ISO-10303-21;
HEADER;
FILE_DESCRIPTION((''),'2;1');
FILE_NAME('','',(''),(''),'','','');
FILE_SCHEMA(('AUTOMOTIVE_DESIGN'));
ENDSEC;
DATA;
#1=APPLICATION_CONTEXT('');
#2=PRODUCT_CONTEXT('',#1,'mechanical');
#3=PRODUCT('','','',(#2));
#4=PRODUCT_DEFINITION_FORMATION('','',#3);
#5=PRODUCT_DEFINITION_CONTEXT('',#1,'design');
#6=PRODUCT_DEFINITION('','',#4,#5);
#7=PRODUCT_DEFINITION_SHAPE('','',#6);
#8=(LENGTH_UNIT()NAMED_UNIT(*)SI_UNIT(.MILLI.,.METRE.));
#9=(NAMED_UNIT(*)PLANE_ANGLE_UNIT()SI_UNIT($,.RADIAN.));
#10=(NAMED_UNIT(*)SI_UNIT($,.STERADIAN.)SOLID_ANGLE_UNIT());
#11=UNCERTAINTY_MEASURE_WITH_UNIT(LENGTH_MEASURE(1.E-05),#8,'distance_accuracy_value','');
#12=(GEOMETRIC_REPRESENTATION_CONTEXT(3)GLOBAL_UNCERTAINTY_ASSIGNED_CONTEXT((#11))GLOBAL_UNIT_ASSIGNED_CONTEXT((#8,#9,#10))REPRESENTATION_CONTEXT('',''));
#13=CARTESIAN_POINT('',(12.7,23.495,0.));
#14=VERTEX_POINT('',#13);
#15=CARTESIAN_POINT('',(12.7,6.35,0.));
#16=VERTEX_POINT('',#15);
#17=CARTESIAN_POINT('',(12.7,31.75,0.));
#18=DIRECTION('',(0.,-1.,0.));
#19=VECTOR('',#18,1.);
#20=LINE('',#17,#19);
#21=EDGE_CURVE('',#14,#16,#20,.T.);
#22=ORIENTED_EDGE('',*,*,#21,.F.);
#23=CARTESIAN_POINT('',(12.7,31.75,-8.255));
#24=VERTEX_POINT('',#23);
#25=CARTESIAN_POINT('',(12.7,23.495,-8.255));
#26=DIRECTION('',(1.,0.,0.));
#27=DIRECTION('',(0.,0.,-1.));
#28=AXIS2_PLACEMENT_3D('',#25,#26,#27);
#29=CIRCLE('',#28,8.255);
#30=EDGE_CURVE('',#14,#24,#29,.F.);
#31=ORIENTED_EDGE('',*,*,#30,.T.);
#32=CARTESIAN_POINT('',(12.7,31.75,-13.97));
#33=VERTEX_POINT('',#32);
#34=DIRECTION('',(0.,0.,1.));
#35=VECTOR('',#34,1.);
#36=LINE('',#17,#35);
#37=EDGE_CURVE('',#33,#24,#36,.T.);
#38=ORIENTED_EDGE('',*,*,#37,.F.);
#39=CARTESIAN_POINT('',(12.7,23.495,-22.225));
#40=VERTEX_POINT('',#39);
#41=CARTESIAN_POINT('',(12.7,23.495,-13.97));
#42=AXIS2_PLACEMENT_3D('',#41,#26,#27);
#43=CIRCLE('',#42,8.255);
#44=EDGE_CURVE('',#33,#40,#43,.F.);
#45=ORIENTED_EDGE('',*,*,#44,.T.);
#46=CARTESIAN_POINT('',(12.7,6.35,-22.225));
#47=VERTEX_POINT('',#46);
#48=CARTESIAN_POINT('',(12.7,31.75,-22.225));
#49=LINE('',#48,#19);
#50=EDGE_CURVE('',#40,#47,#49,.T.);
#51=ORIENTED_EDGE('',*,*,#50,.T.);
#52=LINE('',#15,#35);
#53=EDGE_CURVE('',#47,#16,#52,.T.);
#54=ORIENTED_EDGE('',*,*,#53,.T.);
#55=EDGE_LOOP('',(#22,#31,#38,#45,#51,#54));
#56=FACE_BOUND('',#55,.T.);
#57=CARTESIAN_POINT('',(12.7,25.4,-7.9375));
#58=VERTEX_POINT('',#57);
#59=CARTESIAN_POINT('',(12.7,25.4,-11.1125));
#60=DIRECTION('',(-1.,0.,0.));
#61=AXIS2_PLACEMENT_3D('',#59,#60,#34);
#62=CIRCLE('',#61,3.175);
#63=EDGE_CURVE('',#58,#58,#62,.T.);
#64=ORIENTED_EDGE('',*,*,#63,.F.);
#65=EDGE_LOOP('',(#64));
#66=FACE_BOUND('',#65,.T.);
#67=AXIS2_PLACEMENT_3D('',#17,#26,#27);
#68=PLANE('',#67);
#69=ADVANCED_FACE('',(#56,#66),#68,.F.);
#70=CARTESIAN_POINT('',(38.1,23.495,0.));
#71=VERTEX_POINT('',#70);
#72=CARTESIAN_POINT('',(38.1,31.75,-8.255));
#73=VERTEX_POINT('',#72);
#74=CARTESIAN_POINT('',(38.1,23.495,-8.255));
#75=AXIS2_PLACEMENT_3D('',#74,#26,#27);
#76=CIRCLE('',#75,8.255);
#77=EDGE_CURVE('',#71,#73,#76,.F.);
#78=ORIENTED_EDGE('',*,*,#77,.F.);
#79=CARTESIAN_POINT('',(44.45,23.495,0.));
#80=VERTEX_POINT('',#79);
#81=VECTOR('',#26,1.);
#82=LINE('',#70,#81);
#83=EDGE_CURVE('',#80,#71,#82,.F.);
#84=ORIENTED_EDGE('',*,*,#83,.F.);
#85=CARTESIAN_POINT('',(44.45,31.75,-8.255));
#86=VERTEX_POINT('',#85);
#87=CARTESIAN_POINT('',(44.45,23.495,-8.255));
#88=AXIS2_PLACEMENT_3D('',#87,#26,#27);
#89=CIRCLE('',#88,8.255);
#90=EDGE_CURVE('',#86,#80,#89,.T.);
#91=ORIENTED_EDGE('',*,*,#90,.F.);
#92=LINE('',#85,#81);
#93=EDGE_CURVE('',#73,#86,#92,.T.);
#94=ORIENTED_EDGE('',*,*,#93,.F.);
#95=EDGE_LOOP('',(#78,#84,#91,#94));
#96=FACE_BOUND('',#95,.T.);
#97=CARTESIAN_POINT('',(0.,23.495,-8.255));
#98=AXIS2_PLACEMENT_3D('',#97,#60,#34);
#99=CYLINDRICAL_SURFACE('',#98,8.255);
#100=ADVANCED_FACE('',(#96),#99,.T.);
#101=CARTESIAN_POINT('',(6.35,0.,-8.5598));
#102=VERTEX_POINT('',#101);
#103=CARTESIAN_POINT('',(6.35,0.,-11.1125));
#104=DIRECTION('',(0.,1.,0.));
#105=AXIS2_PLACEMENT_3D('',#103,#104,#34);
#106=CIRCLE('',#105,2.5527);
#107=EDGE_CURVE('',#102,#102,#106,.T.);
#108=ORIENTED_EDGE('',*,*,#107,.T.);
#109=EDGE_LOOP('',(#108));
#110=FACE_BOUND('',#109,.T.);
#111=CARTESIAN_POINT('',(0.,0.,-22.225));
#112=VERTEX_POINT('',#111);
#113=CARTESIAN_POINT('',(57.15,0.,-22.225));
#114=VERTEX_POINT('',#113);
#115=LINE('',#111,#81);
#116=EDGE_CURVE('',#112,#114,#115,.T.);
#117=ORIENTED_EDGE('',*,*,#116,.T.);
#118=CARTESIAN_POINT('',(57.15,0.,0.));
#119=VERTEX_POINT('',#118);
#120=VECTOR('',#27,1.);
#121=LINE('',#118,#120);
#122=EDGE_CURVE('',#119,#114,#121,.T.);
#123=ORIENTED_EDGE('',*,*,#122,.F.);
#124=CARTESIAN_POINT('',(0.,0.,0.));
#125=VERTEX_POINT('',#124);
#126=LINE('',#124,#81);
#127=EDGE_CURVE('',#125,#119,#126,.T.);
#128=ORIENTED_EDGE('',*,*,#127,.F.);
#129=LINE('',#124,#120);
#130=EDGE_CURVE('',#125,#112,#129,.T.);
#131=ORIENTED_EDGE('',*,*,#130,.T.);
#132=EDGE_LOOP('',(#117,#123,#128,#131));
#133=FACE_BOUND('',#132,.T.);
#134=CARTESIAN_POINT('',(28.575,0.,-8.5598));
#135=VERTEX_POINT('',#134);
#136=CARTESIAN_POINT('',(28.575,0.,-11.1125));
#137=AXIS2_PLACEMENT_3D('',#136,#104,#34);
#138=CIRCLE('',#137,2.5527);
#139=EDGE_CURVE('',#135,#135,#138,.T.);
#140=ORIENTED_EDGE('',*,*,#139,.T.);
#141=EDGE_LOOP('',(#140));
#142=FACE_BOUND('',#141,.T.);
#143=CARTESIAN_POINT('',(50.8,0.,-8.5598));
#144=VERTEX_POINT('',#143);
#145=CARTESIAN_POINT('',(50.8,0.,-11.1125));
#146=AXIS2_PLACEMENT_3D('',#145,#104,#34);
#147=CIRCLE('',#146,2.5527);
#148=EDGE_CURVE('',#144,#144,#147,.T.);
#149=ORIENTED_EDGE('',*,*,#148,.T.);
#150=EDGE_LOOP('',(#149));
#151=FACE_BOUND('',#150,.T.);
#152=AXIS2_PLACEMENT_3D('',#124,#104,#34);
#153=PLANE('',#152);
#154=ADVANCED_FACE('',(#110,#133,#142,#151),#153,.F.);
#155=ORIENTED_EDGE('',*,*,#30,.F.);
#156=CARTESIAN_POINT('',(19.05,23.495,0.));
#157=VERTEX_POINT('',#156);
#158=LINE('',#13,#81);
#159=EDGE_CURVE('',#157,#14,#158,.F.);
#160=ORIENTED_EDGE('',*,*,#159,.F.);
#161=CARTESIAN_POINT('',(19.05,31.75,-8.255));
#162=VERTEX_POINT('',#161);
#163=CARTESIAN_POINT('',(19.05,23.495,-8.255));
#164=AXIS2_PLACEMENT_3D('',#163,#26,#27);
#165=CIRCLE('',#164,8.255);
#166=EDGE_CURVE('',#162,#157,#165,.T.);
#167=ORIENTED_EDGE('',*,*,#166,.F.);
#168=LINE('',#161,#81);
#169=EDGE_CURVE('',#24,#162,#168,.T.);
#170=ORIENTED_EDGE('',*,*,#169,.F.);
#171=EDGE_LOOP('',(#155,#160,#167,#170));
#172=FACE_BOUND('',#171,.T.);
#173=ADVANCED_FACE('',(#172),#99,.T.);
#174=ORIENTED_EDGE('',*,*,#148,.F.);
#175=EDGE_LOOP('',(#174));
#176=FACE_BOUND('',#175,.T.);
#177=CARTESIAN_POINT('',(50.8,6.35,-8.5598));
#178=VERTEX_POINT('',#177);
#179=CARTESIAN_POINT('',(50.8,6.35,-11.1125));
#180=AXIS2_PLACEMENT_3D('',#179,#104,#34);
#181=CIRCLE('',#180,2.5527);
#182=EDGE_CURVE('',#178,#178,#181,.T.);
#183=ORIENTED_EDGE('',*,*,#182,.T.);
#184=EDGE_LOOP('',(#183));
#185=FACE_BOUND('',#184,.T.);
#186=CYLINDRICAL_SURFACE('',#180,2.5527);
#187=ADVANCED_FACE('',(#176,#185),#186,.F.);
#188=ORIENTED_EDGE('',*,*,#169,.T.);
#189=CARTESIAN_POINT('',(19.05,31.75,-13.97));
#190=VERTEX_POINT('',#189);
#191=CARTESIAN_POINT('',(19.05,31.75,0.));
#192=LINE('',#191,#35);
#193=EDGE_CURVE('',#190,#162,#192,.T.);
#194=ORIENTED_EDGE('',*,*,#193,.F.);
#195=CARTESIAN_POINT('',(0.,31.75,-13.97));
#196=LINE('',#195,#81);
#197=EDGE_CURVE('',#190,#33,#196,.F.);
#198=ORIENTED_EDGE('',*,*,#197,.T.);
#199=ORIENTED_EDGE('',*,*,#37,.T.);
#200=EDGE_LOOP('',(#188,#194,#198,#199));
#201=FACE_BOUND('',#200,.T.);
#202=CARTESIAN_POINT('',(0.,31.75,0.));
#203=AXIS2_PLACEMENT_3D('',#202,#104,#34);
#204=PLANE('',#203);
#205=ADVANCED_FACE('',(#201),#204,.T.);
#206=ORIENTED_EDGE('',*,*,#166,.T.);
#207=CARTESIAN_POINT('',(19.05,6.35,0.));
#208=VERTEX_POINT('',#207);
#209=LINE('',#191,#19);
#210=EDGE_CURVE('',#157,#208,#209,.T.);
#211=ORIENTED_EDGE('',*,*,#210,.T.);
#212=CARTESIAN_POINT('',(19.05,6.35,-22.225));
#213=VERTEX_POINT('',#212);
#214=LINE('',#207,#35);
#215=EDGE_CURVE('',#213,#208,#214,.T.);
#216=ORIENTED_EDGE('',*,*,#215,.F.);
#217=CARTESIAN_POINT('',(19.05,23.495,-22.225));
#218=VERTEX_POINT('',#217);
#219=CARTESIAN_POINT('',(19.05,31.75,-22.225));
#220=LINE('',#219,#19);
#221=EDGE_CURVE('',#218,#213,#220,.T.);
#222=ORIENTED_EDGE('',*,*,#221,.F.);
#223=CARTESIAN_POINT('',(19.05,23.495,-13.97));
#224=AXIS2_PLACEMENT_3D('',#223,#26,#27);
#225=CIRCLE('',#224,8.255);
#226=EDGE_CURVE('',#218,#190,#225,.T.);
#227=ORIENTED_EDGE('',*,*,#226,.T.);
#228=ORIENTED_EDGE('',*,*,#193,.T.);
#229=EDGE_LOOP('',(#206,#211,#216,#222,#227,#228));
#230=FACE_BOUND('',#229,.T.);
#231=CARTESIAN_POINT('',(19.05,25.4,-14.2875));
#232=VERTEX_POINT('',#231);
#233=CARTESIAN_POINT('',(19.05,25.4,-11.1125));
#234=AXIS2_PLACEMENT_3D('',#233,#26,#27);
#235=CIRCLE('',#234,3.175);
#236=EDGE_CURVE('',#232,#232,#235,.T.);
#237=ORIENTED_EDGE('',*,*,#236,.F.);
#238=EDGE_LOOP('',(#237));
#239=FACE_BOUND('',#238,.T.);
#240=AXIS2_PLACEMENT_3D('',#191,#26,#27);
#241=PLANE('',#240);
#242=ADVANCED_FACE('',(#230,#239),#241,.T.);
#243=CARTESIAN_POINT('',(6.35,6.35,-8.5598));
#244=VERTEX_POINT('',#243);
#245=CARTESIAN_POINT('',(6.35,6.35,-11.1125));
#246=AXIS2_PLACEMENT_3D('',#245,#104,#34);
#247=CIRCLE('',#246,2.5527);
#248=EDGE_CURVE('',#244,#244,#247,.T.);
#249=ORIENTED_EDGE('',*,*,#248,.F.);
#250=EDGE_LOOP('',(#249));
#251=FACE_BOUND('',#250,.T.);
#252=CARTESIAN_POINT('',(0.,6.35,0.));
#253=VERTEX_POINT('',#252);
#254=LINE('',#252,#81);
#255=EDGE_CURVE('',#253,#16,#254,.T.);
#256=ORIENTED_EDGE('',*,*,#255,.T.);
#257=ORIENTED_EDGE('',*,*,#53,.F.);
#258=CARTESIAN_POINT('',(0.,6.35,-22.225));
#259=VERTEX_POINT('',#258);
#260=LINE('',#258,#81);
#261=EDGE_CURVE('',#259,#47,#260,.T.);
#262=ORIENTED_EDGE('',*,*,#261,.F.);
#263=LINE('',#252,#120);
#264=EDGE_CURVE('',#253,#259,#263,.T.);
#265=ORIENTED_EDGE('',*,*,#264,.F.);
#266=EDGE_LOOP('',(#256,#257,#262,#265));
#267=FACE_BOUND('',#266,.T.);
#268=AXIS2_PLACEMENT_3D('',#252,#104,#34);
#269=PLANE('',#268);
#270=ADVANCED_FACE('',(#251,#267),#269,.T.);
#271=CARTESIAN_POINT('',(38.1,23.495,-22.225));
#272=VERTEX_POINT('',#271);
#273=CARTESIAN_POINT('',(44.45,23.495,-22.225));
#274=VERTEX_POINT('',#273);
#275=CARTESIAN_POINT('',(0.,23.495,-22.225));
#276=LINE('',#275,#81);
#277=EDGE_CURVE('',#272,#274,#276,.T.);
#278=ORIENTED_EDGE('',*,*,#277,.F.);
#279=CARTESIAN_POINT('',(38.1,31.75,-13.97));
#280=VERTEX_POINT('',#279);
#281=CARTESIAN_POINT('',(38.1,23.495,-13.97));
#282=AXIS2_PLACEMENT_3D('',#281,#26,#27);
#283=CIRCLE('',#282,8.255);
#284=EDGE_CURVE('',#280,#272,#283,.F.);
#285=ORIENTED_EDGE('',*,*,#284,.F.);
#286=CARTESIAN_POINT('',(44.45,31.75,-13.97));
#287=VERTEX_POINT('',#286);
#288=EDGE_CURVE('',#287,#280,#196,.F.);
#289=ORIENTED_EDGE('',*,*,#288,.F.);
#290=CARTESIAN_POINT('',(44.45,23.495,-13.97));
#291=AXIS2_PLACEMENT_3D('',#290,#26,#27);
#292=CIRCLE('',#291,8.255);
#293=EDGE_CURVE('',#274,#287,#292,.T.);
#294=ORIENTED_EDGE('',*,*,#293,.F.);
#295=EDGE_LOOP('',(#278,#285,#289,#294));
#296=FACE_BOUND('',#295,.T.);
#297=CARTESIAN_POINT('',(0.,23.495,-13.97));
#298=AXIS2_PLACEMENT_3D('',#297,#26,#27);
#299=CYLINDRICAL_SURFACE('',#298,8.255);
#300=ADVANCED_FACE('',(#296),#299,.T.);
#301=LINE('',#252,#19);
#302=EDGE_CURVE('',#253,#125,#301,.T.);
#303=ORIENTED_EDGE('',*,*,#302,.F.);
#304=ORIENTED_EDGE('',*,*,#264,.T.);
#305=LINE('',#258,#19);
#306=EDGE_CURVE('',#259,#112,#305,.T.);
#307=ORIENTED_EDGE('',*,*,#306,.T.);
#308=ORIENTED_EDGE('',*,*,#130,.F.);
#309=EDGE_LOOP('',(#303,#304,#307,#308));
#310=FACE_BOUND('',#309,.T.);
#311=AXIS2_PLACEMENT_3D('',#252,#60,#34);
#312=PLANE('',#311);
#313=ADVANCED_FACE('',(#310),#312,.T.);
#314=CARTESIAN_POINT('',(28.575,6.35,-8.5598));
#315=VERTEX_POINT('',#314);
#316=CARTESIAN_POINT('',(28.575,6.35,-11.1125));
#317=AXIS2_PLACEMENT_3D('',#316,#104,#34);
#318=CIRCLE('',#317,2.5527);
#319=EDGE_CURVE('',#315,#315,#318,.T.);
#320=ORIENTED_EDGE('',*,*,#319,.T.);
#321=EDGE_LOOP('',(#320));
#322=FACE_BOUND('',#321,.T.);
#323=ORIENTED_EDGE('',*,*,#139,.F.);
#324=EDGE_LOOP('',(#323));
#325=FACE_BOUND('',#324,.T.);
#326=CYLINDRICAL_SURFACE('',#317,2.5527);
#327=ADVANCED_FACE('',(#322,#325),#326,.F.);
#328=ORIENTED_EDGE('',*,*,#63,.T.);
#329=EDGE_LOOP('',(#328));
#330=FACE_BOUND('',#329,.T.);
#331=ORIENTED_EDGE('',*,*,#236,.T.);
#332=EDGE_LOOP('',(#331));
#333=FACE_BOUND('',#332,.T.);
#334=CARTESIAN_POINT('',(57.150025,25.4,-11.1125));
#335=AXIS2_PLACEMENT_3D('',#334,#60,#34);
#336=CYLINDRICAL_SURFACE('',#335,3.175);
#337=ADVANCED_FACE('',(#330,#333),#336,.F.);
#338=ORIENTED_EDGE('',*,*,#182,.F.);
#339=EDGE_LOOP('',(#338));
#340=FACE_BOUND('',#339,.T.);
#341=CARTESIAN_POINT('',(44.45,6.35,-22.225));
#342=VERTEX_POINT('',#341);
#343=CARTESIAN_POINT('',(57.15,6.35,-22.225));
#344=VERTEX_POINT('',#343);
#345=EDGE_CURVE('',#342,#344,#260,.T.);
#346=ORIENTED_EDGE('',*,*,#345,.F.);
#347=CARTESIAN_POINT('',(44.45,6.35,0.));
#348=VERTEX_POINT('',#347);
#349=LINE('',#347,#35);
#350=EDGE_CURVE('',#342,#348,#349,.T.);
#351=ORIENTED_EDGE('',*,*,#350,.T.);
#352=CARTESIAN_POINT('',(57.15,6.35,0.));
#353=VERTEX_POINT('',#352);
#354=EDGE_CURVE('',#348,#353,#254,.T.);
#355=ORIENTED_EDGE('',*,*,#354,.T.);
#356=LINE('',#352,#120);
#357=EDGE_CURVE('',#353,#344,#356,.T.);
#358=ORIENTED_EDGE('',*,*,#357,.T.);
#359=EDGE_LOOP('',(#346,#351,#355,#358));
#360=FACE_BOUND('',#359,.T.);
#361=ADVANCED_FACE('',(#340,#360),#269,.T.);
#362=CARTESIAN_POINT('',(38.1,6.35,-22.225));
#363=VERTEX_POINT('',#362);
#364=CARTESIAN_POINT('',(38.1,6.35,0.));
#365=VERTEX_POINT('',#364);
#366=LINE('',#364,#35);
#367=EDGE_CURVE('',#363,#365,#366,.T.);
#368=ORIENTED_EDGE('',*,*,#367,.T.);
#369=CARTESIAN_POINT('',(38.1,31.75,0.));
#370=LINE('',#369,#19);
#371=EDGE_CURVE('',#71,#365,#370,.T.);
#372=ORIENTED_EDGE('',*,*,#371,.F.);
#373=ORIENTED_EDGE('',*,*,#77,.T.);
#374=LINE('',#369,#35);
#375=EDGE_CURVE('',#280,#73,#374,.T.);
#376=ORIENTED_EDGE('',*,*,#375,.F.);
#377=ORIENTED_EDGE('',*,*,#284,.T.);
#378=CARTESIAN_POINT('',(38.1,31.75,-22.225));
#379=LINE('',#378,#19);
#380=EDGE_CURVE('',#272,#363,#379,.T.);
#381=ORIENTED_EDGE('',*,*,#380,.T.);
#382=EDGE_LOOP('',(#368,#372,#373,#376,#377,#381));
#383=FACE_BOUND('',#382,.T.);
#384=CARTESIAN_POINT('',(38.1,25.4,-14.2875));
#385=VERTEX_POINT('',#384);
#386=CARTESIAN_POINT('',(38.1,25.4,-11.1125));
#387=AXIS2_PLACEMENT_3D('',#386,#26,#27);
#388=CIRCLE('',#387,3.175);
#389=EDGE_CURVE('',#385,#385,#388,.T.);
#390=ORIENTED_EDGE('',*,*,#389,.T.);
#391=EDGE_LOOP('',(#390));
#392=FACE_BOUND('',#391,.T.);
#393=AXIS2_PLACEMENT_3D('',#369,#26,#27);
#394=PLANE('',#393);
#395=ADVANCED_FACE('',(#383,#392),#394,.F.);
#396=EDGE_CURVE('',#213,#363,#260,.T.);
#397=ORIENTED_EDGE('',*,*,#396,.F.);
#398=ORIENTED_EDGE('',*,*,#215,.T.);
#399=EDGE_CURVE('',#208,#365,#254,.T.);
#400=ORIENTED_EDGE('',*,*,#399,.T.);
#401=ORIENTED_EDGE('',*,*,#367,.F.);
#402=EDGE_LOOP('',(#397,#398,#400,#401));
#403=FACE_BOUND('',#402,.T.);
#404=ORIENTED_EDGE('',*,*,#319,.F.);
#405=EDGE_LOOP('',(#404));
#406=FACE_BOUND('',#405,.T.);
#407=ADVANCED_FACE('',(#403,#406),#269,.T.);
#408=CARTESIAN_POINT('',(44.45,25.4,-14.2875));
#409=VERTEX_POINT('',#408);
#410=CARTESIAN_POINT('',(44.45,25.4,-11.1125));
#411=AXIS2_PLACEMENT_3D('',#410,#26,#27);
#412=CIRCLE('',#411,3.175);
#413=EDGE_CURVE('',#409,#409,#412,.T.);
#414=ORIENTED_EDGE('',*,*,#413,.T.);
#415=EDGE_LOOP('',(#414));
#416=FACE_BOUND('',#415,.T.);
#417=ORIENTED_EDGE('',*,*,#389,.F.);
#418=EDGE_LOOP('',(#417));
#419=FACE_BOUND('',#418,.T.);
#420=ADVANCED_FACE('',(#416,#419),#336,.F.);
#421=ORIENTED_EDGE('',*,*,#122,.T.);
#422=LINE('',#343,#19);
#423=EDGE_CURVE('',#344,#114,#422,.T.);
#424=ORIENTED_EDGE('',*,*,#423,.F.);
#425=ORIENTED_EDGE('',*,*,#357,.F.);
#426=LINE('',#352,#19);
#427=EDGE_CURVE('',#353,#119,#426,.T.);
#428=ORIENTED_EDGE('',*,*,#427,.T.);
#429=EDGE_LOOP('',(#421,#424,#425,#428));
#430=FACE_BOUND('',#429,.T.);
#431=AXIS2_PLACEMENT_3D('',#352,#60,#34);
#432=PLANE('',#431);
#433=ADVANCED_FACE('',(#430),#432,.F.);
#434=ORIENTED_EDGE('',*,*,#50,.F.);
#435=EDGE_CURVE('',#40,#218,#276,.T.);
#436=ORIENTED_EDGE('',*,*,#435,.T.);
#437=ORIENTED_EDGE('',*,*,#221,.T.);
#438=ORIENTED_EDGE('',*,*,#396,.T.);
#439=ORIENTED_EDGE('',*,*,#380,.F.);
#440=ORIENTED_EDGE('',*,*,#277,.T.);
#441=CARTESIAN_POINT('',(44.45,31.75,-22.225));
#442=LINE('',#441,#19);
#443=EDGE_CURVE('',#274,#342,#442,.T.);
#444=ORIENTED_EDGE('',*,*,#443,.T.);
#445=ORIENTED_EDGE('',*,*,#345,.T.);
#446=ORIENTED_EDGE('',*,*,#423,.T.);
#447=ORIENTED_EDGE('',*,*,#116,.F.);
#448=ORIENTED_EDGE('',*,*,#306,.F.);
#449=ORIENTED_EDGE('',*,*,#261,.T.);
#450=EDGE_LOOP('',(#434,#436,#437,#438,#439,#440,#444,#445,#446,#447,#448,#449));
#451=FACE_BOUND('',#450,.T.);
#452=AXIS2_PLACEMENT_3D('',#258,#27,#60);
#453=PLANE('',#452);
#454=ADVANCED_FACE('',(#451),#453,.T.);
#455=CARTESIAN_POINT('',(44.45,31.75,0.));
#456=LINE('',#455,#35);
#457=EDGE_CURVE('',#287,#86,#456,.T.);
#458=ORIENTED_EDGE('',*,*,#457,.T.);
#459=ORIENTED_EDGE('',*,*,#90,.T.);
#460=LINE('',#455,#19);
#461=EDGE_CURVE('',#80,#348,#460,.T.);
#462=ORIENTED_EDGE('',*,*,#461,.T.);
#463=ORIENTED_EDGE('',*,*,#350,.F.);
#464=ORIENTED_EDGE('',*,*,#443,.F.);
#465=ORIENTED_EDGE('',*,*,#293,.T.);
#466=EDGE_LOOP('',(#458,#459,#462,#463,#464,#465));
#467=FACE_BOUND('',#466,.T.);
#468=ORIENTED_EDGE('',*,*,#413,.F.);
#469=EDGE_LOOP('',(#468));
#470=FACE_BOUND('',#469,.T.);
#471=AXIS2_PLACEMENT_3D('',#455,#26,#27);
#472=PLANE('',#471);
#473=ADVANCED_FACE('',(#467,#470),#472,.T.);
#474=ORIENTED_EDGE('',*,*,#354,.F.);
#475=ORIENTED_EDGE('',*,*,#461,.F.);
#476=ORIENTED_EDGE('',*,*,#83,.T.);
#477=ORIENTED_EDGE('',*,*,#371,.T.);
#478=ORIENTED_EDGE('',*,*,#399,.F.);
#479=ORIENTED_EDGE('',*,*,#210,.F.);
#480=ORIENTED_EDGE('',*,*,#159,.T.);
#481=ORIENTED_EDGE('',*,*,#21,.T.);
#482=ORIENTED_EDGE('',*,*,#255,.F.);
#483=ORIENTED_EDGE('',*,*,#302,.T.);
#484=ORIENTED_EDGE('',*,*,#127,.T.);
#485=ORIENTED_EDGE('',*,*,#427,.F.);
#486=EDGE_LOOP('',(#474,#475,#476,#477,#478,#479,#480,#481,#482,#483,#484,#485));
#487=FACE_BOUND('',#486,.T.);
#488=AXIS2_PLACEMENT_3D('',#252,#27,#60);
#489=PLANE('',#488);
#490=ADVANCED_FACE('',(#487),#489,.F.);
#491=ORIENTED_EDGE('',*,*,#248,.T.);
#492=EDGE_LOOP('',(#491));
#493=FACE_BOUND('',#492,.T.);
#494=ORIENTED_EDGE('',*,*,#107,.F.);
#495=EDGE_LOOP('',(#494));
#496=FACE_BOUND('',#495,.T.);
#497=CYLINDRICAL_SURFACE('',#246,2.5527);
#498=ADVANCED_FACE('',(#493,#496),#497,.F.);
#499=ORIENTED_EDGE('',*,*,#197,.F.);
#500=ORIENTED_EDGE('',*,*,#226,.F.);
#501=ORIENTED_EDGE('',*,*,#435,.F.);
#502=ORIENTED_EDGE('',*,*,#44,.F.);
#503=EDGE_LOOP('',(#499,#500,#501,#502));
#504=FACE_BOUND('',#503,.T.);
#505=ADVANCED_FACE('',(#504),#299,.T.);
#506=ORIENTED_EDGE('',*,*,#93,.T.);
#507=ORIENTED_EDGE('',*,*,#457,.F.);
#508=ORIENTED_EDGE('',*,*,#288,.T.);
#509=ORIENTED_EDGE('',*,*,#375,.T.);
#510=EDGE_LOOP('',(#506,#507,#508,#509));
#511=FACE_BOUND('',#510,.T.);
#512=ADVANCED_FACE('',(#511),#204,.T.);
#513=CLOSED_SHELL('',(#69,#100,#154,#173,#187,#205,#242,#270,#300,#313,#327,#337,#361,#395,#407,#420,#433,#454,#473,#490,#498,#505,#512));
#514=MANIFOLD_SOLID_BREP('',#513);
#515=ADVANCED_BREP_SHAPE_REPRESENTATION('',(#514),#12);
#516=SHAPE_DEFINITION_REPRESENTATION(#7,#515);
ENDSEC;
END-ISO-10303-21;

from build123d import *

# Parameters (mm, degrees)
SKETCH2_W                   = 12.7
SKETCH2_H                   = 22.225
BOSS_EXTRUDE1_DEPTH         = 6.35
SKETCH2_W_2                 = 19.05
BOSS_EXTRUDE1_2_DEPTH       = 6.35
BOSS_EXTRUDE1_3_DEPTH       = 6.35
SKETCH2_3_W                 = 6.35
SKETCH2_3_H                 = 22.225
BOSS_EXTRUDE2_DEPTH         = 31.75
SKETCH3_R                   = 3.175
CUT_EXTRUDE1_DEPTH          = 59.973007597
F_1_4_20_TAPPED_HOLE1_D     = 5.1054
F_1_4_20_TAPPED_HOLE1_DEPTH = 19.05
F_1_4_20_TAPPED_HOLE1_TIP   = 1.533816902
FILLET1_R                   = 8.255


with BuildPart() as part:
    # Sketch2 → Boss-Extrude1 (new body)
    with BuildSketch(Plane(origin=(0, 0, 0), x_dir=(1, 0, 0), z_dir=(0, 1, 0))):
        with Locations((6.35, 11.1125)):
            Rectangle(SKETCH2_W, SKETCH2_H)
    extrude(amount=BOSS_EXTRUDE1_DEPTH)



with BuildPart() as body_2:
    # Sketch2 → Boss-Extrude1 2 (new body)
    with BuildSketch(Plane(origin=(0, 0, 0), x_dir=(1, 0, 0), z_dir=(0, 1, 0))):
        with Locations((28.575, 11.1125)):
            Rectangle(SKETCH2_W_2, SKETCH2_H)
    extrude(amount=BOSS_EXTRUDE1_2_DEPTH)


with BuildPart() as body_3:
    # Sketch2 → Boss-Extrude1 3 (new body)
    with BuildSketch(Plane(origin=(0, 0, 0), x_dir=(1, 0, 0), z_dir=(0, 1, 0))):
        with Locations((50.8, 11.1125)):
            Rectangle(SKETCH2_W, SKETCH2_H)
    extrude(amount=BOSS_EXTRUDE1_3_DEPTH)


with BuildPart() as part_1:
    add(part.part)

    add(body_2.part)  # Boss-Extrude2 merges body 2

    add(body_3.part)  # Boss-Extrude2 merges body 3
    # Sketch2<3> → Boss-Extrude2 (add)
    with BuildSketch(Plane(origin=(0, 0, 0), x_dir=(1, 0, 0), z_dir=(0, 1, 0))):
        with Locations((15.875, 11.1125)):
            Rectangle(SKETCH2_3_W, SKETCH2_3_H)
        with Locations((41.275, 11.1125)):
            Rectangle(SKETCH2_3_W, SKETCH2_3_H)
    extrude(amount=BOSS_EXTRUDE2_DEPTH)

    # Sketch3 → Cut-Extrude1 (cut, through all)
    with BuildSketch(Plane.ZY.offset(-12.7)):
        with Locations((-11.1125, 25.4)):
            Circle(SKETCH3_R)
    extrude(amount=-CUT_EXTRUDE1_DEPTH, mode=Mode.SUBTRACT)

    # 1/4-20 Tapped Hole1
    with Locations(Plane(origin=(6.35, 6.35, -11.1125), x_dir=(0, 0, 1), z_dir=(0, 1, 0))):
        with Locations((0, 0), (0, 22.225), (0, 44.45)):
            Hole(F_1_4_20_TAPPED_HOLE1_D / 2, depth=F_1_4_20_TAPPED_HOLE1_DEPTH)
            with Locations((0, 0, -(F_1_4_20_TAPPED_HOLE1_DEPTH + F_1_4_20_TAPPED_HOLE1_TIP / 2))):  # 118° drill point
                Cone(0, F_1_4_20_TAPPED_HOLE1_D / 2, F_1_4_20_TAPPED_HOLE1_TIP, mode=Mode.SUBTRACT)

    # Fillet1
    fillet1_edges = [part_1.edges().sort_by_distance(p)[0] for p in [
        (15.875, 31.75, -22.225),
        (41.275, 31.75, -22.225),
        (41.275, 31.75, 0),
        (15.875, 31.75, 0),
    ]]
    fillet(fillet1_edges, radius=FILLET1_R)


solid = part_1.part
